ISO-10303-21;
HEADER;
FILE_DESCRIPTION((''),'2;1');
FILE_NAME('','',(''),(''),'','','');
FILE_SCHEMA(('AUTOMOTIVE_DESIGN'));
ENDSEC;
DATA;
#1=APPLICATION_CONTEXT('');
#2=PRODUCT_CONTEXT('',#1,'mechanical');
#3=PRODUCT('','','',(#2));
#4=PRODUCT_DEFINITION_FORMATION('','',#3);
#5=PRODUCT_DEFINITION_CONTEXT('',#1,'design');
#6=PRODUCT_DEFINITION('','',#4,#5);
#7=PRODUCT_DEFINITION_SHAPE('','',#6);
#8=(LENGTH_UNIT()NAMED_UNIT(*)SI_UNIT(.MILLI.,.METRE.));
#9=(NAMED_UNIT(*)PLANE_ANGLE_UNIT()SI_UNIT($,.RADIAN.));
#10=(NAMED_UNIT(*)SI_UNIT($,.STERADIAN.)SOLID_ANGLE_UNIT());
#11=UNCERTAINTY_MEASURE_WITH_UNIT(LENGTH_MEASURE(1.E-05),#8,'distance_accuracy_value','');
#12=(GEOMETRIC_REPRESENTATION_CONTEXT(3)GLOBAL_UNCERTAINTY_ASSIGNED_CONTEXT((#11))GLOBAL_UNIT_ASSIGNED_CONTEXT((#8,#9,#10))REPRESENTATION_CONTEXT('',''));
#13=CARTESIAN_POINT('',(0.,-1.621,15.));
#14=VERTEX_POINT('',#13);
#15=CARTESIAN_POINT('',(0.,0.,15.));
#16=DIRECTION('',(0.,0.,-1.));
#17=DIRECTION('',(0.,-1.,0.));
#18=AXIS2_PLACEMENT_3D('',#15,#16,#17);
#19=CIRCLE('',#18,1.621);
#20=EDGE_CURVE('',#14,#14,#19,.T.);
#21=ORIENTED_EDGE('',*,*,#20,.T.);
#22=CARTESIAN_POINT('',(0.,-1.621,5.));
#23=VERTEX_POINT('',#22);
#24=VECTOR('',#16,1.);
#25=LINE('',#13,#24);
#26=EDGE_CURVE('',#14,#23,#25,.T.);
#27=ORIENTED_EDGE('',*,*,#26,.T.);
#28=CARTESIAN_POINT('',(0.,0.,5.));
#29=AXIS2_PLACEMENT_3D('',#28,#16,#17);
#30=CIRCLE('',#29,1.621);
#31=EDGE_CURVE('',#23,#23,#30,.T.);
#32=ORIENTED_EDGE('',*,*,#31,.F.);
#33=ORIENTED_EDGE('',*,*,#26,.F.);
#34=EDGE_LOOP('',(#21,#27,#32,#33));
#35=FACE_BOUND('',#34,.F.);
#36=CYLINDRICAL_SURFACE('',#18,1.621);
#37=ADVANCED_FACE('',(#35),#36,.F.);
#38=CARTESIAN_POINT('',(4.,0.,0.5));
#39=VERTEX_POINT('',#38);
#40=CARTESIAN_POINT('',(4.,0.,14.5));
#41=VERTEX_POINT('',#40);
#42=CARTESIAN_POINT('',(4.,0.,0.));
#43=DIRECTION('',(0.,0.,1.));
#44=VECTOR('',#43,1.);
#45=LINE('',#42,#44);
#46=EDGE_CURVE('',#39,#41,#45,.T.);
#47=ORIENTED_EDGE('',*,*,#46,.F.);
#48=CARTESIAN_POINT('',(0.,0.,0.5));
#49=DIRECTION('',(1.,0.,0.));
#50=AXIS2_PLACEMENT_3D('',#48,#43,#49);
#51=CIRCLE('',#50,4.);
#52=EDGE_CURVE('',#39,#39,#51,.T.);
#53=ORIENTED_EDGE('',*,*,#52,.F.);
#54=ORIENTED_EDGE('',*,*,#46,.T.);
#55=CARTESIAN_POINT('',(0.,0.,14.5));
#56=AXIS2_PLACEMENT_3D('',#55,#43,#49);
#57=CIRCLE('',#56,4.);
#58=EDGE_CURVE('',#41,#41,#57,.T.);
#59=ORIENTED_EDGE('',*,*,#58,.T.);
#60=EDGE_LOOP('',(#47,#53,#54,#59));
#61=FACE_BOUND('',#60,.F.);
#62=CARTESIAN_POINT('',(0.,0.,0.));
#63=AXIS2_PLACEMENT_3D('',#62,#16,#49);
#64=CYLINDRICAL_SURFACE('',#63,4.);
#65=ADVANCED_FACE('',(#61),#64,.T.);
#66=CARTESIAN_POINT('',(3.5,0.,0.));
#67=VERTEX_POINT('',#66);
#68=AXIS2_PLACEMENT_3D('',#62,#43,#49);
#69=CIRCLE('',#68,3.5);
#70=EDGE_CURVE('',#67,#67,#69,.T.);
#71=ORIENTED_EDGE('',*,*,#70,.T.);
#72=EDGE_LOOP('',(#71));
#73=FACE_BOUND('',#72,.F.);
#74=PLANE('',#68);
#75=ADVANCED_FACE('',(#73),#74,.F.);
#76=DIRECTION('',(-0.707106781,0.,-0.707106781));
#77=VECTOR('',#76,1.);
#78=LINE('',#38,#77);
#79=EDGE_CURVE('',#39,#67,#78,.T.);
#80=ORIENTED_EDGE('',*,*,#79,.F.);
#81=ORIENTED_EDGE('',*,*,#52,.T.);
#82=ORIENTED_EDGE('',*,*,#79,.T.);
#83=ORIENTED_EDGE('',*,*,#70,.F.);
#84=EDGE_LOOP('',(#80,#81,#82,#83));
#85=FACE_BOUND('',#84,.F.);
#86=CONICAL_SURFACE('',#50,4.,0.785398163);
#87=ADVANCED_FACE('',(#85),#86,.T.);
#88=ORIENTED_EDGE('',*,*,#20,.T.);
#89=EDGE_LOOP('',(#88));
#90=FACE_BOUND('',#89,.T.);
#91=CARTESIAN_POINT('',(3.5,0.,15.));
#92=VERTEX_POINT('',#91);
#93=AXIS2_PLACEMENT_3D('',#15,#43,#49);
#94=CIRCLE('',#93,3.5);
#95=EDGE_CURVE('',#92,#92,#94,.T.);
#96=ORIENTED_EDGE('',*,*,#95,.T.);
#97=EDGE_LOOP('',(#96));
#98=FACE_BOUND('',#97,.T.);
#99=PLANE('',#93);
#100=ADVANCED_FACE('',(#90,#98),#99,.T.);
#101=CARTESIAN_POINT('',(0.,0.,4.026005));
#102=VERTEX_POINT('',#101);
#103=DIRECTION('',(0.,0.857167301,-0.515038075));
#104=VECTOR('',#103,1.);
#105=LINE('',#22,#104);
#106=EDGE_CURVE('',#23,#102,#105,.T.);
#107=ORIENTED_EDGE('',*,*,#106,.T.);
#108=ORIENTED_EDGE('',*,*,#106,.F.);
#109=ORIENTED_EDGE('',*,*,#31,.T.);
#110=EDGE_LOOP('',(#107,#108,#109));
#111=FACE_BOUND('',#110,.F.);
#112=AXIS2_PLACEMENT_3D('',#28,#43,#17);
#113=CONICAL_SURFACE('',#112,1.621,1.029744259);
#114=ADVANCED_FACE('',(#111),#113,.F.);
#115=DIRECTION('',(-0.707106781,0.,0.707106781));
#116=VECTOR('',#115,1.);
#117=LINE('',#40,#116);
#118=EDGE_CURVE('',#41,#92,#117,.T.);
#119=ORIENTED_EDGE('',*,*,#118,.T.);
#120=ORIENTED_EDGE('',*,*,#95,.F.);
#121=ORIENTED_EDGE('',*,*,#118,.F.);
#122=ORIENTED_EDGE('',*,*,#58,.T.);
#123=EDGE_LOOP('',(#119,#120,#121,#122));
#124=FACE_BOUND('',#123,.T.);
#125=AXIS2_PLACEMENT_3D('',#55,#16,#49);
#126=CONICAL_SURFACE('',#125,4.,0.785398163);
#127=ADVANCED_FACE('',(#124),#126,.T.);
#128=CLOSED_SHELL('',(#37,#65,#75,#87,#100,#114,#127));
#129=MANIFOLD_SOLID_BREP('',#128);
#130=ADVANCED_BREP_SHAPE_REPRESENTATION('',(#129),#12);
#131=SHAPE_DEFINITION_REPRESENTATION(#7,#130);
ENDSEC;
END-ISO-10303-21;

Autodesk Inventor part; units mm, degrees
ref_plane "YZ Plane" through (0, 0, 0) normal (1, 0, 0) x (0, 1, 0)
ref_plane "XZ Plane" through (0, 0, 0) normal (0, 1, 0) x (-1, 0, 0)
ref_plane "XY Plane" through (0, 0, 0) normal (0, 0, 1) x (1, 0, 0)
sketch "Skizze1" plane through (0, 0, 0) normal (0, 0, 1) x (1, 0, 0)
  circle A0 centre (0, 0) radius 4
  dimension "d0" = 8
extrude "Extrusion1" add sketch "Skizze1" along normal blind 15
chamfer "Fase1" distance 0.5 angle 45 2 edges at (-4, 0, 15) (-4, 0, 0)
sketch "Skizze2" plane through (0, 0, 15) normal (0, 0, 1) x (1, 0, 0)
  circle A0 centre (0, 0) radius 3.5 projected
hole "Bohrung1" at (0, 0, 15) direction (0, 0, -1) diameter 3.242 depth 10 tip angle 118 thread size "M4x0.7" class "6H" standard "ISO Metric profile"
properties part number "1_0204_008"
